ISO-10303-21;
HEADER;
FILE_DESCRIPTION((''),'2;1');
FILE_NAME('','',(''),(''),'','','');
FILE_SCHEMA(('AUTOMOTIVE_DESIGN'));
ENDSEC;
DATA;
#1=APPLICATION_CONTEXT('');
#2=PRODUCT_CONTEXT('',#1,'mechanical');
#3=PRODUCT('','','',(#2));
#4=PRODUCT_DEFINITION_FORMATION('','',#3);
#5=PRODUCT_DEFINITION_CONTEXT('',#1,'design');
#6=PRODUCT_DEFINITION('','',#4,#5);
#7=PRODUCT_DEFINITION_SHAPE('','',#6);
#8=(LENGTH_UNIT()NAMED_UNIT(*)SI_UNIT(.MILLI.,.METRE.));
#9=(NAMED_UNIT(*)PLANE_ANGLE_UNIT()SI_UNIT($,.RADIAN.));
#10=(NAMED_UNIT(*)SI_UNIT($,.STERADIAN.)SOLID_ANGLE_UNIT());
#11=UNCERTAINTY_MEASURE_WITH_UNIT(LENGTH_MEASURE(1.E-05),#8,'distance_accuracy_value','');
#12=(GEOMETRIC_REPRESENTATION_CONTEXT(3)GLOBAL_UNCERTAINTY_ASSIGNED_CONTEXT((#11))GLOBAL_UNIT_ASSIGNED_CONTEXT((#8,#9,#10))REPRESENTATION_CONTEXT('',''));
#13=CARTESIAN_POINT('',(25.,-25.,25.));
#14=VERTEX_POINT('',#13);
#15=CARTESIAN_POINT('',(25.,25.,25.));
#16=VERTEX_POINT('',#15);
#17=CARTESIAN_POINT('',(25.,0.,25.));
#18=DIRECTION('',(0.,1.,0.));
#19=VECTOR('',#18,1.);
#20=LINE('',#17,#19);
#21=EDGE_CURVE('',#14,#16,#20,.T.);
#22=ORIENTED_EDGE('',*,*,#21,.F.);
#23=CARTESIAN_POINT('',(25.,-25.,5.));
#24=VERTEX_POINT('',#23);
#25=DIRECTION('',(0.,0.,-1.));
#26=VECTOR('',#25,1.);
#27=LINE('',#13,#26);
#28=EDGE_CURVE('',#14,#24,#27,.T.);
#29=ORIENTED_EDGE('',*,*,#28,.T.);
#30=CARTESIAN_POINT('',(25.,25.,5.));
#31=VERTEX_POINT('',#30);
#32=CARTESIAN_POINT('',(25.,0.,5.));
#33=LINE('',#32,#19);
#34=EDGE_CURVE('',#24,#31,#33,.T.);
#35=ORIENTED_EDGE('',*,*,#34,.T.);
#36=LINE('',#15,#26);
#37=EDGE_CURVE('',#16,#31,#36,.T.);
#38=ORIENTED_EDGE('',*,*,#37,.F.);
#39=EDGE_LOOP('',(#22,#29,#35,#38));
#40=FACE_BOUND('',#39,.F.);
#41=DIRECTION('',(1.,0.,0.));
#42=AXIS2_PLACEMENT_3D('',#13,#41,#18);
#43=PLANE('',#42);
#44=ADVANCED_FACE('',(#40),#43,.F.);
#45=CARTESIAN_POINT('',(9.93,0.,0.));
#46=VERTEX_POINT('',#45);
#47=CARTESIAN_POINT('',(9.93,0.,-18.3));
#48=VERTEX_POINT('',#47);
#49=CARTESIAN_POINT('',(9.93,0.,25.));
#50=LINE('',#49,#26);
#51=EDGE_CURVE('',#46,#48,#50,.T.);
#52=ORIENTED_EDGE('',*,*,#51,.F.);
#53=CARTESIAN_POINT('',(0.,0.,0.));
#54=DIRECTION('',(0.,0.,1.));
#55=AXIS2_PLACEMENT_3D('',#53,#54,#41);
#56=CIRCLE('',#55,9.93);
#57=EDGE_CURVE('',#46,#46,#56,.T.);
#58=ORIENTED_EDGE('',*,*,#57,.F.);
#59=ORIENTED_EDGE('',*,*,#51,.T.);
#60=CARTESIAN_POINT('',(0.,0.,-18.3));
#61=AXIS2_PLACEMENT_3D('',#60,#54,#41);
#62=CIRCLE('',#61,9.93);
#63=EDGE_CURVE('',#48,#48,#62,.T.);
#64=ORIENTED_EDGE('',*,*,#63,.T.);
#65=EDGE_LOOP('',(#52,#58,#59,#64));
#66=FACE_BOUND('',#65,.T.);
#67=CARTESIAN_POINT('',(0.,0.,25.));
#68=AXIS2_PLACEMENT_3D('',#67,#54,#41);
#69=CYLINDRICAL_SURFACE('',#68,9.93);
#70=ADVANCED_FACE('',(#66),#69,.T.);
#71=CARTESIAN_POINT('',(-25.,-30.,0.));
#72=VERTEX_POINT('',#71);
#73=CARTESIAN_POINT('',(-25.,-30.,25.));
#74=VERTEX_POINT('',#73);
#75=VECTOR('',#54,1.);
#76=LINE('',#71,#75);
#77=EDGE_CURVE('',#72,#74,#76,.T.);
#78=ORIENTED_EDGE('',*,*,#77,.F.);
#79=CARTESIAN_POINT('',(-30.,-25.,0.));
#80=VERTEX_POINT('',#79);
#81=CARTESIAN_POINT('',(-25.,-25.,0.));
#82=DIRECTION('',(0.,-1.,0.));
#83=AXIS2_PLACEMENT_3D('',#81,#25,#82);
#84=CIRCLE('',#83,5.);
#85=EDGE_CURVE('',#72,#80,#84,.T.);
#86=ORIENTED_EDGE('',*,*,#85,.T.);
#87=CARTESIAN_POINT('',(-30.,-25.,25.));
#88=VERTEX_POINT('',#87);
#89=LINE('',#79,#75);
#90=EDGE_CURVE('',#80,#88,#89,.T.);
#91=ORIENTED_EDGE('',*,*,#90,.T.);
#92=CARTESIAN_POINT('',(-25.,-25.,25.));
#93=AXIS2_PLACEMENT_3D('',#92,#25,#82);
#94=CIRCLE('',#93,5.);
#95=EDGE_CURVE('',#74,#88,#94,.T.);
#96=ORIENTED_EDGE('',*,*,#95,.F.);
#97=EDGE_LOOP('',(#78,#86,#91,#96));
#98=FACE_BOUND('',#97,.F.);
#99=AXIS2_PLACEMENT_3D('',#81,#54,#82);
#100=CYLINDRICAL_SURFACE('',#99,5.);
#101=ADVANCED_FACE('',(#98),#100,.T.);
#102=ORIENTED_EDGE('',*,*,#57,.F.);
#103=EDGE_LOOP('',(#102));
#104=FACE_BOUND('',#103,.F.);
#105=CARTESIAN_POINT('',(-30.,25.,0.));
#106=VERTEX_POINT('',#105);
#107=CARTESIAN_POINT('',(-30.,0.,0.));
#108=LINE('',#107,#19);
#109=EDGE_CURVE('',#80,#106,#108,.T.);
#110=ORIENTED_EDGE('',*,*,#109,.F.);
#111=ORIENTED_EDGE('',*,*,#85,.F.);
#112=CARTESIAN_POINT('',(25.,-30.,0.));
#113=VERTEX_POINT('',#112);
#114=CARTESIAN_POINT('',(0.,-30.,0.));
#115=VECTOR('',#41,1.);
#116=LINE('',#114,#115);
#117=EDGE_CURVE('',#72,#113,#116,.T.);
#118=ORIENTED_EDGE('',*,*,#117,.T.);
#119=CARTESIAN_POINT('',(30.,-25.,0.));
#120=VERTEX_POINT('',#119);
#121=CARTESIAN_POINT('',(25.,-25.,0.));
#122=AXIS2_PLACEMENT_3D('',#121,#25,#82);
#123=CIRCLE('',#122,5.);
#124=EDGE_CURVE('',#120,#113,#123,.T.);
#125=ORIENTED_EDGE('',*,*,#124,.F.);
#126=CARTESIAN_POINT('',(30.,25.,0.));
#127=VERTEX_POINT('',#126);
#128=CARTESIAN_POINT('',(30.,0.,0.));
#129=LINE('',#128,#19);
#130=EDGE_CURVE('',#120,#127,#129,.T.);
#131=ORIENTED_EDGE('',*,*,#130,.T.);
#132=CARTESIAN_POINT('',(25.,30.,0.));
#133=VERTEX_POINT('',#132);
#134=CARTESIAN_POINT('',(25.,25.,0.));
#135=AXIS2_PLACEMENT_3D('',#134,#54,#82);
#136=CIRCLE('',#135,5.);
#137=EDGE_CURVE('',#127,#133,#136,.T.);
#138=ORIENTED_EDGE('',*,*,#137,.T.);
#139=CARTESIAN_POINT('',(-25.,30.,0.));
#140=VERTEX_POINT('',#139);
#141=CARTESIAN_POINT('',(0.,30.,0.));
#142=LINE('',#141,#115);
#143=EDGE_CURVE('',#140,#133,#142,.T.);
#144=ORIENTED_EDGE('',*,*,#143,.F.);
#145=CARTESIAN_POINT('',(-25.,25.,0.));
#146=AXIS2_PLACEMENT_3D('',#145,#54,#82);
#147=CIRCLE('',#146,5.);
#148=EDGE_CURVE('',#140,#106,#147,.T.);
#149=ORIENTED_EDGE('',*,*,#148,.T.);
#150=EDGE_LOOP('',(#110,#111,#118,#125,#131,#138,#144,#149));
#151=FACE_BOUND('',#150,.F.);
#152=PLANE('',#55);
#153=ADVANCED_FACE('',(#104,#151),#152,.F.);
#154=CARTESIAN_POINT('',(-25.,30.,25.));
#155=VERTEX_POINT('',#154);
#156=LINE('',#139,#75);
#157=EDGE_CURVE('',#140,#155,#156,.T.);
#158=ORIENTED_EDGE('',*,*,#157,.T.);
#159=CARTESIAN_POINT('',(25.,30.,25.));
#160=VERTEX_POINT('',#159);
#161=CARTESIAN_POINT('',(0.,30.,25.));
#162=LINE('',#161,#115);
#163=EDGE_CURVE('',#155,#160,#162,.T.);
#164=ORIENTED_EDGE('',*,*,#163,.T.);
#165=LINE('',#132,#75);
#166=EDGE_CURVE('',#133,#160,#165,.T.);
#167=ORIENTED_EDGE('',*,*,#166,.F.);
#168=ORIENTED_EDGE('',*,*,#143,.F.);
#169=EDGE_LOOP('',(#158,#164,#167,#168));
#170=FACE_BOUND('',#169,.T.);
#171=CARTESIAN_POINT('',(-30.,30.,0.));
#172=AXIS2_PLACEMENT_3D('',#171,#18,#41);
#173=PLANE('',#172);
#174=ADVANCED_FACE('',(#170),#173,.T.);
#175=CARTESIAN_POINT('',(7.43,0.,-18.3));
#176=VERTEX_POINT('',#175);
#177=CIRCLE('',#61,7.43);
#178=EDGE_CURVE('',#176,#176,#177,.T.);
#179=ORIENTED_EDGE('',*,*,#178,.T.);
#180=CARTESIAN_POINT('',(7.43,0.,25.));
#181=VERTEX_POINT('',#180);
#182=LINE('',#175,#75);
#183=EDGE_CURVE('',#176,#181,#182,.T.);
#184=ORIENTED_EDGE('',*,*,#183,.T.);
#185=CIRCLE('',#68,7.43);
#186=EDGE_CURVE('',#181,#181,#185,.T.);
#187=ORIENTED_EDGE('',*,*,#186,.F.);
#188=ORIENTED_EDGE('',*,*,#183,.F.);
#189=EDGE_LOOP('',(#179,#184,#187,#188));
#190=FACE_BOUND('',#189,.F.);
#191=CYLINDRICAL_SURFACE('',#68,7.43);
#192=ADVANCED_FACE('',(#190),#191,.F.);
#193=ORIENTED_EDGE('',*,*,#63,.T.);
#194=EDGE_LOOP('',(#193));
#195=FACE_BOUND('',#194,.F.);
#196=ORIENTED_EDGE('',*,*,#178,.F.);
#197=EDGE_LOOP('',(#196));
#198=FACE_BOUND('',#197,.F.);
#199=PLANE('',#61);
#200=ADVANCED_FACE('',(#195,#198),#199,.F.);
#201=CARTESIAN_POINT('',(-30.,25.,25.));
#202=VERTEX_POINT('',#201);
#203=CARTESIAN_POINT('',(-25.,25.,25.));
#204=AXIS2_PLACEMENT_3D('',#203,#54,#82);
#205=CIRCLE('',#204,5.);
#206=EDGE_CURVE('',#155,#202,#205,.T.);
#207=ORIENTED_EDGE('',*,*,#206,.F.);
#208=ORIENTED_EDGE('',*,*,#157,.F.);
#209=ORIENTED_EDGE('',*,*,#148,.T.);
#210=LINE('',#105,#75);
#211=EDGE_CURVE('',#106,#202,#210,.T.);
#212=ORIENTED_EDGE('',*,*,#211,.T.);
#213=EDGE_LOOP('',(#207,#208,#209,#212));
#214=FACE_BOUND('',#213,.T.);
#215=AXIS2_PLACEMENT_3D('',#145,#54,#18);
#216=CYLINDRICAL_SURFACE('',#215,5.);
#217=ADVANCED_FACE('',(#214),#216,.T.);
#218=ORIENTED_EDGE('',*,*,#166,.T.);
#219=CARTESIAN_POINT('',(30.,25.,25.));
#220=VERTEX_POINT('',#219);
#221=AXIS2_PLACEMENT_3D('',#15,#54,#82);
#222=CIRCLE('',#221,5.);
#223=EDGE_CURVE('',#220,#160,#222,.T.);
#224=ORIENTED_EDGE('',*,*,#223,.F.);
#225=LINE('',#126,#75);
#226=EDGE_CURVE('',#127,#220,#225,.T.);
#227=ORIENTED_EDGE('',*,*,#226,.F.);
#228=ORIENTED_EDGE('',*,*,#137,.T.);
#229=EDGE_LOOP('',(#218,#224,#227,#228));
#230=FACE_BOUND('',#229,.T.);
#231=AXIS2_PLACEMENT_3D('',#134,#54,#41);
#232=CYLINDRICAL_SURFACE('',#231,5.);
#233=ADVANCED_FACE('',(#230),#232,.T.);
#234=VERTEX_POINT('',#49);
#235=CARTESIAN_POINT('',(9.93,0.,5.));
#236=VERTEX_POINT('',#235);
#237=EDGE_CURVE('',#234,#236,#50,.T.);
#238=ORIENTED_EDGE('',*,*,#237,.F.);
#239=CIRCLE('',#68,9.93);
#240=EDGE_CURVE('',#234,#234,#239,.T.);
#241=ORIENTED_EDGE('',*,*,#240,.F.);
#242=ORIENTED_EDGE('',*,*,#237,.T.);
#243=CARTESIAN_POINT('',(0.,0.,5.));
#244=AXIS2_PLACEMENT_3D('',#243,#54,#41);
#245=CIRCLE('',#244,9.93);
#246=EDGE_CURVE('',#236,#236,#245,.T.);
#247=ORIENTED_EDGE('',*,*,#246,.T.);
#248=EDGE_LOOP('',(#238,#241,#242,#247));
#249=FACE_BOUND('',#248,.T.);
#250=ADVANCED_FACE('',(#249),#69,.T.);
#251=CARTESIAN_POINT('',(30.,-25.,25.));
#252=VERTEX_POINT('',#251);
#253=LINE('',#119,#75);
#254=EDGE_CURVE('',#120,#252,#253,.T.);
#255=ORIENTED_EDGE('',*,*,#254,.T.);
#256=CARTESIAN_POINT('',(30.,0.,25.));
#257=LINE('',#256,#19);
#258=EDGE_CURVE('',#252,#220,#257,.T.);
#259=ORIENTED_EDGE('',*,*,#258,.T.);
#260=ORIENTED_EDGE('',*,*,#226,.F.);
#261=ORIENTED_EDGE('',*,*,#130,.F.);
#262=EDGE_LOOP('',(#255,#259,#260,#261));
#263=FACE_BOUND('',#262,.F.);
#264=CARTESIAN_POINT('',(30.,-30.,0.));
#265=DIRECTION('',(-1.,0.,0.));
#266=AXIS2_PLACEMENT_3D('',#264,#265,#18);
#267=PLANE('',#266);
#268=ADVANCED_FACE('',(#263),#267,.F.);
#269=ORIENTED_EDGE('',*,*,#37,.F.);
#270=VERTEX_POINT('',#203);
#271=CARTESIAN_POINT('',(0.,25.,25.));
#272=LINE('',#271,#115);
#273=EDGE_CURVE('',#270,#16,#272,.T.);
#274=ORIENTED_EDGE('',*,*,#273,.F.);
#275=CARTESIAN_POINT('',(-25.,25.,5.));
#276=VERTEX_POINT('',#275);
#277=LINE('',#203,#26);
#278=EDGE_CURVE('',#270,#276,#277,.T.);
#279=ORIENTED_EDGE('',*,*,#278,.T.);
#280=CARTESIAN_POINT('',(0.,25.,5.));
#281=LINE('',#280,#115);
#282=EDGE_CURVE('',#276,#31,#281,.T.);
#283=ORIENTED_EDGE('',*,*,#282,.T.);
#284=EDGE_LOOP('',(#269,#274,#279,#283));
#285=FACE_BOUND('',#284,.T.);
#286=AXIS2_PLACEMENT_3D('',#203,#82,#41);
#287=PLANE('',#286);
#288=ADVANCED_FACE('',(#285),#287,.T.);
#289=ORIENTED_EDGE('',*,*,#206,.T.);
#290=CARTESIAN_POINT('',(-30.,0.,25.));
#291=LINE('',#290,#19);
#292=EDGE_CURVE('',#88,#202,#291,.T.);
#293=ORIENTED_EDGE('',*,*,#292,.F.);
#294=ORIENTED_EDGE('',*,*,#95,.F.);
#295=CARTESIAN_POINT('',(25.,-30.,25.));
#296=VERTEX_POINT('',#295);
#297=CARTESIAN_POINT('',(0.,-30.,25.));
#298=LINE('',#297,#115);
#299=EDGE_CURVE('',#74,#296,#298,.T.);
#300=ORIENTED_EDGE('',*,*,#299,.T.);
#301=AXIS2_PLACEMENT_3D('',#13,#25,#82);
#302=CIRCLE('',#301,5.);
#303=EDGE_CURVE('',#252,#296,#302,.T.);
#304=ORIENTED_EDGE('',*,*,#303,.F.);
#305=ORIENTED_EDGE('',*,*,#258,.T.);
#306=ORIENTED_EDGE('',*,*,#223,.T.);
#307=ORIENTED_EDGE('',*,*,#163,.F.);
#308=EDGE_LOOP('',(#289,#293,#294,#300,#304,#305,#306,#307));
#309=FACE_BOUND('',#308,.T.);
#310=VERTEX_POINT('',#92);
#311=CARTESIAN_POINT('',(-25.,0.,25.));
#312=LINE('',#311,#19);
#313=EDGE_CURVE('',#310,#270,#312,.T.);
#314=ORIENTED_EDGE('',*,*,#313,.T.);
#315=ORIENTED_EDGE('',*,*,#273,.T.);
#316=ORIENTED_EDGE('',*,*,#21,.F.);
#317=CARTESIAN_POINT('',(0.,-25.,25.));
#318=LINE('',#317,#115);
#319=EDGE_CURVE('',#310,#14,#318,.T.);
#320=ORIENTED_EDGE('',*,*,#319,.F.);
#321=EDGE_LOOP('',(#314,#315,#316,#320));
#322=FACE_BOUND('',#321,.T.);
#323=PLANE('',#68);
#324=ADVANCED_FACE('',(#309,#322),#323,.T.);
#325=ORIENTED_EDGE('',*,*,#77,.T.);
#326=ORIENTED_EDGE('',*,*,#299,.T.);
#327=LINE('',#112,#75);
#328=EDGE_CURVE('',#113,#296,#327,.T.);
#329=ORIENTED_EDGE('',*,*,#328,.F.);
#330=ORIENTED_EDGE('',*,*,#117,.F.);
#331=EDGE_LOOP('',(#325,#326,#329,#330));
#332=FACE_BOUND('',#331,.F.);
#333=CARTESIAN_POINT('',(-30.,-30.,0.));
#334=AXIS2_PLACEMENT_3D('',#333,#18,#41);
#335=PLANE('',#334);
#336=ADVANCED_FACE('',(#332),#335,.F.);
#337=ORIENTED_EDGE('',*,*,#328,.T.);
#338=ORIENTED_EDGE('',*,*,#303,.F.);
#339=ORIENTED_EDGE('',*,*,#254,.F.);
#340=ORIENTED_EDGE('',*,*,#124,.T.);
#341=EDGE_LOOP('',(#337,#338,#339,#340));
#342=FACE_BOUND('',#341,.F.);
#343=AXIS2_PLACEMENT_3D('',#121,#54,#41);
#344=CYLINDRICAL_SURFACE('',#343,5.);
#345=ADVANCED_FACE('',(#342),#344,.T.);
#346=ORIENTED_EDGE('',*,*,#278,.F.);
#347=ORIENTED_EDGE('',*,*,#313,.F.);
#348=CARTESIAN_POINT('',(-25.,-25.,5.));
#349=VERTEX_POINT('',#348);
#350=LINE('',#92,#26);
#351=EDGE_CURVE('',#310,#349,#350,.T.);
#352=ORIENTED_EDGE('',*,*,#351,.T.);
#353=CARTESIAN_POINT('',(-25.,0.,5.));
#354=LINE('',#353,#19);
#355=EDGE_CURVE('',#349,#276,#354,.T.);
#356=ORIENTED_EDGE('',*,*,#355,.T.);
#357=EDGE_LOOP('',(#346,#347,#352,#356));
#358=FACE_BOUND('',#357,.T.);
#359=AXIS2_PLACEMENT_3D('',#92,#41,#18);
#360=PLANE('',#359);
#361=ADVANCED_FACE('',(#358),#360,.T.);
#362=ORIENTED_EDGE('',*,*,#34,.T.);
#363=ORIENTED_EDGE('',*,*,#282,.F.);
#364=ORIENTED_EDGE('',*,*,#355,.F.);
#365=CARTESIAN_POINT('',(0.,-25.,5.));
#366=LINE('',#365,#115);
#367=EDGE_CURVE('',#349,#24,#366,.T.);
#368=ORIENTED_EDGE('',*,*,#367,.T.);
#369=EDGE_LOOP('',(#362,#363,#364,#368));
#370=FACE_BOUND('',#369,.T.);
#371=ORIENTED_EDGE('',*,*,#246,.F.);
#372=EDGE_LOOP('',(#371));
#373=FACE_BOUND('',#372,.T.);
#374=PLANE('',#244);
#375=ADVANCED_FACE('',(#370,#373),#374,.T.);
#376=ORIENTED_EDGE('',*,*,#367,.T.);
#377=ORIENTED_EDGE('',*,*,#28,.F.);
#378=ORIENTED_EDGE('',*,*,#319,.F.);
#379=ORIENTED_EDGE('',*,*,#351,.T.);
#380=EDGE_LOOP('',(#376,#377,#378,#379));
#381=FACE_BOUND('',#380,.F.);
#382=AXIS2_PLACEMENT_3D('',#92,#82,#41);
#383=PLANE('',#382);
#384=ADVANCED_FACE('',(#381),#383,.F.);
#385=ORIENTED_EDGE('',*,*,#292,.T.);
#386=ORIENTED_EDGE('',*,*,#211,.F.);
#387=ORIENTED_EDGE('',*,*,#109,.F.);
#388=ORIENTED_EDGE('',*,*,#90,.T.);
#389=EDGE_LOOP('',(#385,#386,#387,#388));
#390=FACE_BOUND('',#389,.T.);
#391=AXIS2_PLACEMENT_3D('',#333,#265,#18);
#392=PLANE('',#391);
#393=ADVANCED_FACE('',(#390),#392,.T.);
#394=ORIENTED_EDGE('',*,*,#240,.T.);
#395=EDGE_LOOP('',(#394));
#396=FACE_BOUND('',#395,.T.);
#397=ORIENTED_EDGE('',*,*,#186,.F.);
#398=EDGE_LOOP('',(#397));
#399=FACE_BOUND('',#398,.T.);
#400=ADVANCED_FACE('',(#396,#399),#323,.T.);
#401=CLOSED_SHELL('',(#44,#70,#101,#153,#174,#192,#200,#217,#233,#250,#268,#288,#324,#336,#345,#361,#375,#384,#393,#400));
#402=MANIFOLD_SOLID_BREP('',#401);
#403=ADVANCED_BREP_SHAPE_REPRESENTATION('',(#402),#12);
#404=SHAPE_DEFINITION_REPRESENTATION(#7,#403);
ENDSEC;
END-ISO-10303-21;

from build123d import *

# Parameters (mm, degrees)
F0_W     = 60
F0_H     = 60
F1_DEPTH = 25
F2_W     = 50
F2_H     = 50
F3_DEPTH = 20
F4_R     = 9.93
F4_R_2   = 7.43
F5_DEPTH = 43.3
F6_R     = 7.43
F7_DEPTH = 56.5
F8_R     = 5


with BuildPart() as f1:
    # F0 (on Top) → F1 (new body)
    with BuildSketch(Plane.XY):
        Rectangle(F0_W, F0_H)
    extrude(amount=F1_DEPTH)

    # F2 (on face) → F3 (cut)
    with BuildSketch(Plane.XY.offset(25)):
        Rectangle(F2_W, F2_H)
    extrude(amount=-F3_DEPTH, mode=Mode.SUBTRACT)

    # F4 (on face) → F5 (join)
    with BuildSketch(Plane.XY.offset(25)):
        Circle(F4_R)
        Circle(F4_R_2, mode=Mode.SUBTRACT)
    extrude(amount=-F5_DEPTH)

    # F6 (on face) → F7 (cut)
    with BuildSketch(Plane.XY.offset(25)):
        Circle(F6_R)
    extrude(amount=-F7_DEPTH, mode=Mode.SUBTRACT)

    # F8
    f8_edges = [f1.edges().sort_by_distance(p)[0] for p in [
        (-30, -30, 12.5),
        (30, -30, 12.5),
        (30, 30, 12.5),
        (-30, 30, 12.5),
    ]]
    fillet(f8_edges, radius=F8_R)


solid = f1.part
